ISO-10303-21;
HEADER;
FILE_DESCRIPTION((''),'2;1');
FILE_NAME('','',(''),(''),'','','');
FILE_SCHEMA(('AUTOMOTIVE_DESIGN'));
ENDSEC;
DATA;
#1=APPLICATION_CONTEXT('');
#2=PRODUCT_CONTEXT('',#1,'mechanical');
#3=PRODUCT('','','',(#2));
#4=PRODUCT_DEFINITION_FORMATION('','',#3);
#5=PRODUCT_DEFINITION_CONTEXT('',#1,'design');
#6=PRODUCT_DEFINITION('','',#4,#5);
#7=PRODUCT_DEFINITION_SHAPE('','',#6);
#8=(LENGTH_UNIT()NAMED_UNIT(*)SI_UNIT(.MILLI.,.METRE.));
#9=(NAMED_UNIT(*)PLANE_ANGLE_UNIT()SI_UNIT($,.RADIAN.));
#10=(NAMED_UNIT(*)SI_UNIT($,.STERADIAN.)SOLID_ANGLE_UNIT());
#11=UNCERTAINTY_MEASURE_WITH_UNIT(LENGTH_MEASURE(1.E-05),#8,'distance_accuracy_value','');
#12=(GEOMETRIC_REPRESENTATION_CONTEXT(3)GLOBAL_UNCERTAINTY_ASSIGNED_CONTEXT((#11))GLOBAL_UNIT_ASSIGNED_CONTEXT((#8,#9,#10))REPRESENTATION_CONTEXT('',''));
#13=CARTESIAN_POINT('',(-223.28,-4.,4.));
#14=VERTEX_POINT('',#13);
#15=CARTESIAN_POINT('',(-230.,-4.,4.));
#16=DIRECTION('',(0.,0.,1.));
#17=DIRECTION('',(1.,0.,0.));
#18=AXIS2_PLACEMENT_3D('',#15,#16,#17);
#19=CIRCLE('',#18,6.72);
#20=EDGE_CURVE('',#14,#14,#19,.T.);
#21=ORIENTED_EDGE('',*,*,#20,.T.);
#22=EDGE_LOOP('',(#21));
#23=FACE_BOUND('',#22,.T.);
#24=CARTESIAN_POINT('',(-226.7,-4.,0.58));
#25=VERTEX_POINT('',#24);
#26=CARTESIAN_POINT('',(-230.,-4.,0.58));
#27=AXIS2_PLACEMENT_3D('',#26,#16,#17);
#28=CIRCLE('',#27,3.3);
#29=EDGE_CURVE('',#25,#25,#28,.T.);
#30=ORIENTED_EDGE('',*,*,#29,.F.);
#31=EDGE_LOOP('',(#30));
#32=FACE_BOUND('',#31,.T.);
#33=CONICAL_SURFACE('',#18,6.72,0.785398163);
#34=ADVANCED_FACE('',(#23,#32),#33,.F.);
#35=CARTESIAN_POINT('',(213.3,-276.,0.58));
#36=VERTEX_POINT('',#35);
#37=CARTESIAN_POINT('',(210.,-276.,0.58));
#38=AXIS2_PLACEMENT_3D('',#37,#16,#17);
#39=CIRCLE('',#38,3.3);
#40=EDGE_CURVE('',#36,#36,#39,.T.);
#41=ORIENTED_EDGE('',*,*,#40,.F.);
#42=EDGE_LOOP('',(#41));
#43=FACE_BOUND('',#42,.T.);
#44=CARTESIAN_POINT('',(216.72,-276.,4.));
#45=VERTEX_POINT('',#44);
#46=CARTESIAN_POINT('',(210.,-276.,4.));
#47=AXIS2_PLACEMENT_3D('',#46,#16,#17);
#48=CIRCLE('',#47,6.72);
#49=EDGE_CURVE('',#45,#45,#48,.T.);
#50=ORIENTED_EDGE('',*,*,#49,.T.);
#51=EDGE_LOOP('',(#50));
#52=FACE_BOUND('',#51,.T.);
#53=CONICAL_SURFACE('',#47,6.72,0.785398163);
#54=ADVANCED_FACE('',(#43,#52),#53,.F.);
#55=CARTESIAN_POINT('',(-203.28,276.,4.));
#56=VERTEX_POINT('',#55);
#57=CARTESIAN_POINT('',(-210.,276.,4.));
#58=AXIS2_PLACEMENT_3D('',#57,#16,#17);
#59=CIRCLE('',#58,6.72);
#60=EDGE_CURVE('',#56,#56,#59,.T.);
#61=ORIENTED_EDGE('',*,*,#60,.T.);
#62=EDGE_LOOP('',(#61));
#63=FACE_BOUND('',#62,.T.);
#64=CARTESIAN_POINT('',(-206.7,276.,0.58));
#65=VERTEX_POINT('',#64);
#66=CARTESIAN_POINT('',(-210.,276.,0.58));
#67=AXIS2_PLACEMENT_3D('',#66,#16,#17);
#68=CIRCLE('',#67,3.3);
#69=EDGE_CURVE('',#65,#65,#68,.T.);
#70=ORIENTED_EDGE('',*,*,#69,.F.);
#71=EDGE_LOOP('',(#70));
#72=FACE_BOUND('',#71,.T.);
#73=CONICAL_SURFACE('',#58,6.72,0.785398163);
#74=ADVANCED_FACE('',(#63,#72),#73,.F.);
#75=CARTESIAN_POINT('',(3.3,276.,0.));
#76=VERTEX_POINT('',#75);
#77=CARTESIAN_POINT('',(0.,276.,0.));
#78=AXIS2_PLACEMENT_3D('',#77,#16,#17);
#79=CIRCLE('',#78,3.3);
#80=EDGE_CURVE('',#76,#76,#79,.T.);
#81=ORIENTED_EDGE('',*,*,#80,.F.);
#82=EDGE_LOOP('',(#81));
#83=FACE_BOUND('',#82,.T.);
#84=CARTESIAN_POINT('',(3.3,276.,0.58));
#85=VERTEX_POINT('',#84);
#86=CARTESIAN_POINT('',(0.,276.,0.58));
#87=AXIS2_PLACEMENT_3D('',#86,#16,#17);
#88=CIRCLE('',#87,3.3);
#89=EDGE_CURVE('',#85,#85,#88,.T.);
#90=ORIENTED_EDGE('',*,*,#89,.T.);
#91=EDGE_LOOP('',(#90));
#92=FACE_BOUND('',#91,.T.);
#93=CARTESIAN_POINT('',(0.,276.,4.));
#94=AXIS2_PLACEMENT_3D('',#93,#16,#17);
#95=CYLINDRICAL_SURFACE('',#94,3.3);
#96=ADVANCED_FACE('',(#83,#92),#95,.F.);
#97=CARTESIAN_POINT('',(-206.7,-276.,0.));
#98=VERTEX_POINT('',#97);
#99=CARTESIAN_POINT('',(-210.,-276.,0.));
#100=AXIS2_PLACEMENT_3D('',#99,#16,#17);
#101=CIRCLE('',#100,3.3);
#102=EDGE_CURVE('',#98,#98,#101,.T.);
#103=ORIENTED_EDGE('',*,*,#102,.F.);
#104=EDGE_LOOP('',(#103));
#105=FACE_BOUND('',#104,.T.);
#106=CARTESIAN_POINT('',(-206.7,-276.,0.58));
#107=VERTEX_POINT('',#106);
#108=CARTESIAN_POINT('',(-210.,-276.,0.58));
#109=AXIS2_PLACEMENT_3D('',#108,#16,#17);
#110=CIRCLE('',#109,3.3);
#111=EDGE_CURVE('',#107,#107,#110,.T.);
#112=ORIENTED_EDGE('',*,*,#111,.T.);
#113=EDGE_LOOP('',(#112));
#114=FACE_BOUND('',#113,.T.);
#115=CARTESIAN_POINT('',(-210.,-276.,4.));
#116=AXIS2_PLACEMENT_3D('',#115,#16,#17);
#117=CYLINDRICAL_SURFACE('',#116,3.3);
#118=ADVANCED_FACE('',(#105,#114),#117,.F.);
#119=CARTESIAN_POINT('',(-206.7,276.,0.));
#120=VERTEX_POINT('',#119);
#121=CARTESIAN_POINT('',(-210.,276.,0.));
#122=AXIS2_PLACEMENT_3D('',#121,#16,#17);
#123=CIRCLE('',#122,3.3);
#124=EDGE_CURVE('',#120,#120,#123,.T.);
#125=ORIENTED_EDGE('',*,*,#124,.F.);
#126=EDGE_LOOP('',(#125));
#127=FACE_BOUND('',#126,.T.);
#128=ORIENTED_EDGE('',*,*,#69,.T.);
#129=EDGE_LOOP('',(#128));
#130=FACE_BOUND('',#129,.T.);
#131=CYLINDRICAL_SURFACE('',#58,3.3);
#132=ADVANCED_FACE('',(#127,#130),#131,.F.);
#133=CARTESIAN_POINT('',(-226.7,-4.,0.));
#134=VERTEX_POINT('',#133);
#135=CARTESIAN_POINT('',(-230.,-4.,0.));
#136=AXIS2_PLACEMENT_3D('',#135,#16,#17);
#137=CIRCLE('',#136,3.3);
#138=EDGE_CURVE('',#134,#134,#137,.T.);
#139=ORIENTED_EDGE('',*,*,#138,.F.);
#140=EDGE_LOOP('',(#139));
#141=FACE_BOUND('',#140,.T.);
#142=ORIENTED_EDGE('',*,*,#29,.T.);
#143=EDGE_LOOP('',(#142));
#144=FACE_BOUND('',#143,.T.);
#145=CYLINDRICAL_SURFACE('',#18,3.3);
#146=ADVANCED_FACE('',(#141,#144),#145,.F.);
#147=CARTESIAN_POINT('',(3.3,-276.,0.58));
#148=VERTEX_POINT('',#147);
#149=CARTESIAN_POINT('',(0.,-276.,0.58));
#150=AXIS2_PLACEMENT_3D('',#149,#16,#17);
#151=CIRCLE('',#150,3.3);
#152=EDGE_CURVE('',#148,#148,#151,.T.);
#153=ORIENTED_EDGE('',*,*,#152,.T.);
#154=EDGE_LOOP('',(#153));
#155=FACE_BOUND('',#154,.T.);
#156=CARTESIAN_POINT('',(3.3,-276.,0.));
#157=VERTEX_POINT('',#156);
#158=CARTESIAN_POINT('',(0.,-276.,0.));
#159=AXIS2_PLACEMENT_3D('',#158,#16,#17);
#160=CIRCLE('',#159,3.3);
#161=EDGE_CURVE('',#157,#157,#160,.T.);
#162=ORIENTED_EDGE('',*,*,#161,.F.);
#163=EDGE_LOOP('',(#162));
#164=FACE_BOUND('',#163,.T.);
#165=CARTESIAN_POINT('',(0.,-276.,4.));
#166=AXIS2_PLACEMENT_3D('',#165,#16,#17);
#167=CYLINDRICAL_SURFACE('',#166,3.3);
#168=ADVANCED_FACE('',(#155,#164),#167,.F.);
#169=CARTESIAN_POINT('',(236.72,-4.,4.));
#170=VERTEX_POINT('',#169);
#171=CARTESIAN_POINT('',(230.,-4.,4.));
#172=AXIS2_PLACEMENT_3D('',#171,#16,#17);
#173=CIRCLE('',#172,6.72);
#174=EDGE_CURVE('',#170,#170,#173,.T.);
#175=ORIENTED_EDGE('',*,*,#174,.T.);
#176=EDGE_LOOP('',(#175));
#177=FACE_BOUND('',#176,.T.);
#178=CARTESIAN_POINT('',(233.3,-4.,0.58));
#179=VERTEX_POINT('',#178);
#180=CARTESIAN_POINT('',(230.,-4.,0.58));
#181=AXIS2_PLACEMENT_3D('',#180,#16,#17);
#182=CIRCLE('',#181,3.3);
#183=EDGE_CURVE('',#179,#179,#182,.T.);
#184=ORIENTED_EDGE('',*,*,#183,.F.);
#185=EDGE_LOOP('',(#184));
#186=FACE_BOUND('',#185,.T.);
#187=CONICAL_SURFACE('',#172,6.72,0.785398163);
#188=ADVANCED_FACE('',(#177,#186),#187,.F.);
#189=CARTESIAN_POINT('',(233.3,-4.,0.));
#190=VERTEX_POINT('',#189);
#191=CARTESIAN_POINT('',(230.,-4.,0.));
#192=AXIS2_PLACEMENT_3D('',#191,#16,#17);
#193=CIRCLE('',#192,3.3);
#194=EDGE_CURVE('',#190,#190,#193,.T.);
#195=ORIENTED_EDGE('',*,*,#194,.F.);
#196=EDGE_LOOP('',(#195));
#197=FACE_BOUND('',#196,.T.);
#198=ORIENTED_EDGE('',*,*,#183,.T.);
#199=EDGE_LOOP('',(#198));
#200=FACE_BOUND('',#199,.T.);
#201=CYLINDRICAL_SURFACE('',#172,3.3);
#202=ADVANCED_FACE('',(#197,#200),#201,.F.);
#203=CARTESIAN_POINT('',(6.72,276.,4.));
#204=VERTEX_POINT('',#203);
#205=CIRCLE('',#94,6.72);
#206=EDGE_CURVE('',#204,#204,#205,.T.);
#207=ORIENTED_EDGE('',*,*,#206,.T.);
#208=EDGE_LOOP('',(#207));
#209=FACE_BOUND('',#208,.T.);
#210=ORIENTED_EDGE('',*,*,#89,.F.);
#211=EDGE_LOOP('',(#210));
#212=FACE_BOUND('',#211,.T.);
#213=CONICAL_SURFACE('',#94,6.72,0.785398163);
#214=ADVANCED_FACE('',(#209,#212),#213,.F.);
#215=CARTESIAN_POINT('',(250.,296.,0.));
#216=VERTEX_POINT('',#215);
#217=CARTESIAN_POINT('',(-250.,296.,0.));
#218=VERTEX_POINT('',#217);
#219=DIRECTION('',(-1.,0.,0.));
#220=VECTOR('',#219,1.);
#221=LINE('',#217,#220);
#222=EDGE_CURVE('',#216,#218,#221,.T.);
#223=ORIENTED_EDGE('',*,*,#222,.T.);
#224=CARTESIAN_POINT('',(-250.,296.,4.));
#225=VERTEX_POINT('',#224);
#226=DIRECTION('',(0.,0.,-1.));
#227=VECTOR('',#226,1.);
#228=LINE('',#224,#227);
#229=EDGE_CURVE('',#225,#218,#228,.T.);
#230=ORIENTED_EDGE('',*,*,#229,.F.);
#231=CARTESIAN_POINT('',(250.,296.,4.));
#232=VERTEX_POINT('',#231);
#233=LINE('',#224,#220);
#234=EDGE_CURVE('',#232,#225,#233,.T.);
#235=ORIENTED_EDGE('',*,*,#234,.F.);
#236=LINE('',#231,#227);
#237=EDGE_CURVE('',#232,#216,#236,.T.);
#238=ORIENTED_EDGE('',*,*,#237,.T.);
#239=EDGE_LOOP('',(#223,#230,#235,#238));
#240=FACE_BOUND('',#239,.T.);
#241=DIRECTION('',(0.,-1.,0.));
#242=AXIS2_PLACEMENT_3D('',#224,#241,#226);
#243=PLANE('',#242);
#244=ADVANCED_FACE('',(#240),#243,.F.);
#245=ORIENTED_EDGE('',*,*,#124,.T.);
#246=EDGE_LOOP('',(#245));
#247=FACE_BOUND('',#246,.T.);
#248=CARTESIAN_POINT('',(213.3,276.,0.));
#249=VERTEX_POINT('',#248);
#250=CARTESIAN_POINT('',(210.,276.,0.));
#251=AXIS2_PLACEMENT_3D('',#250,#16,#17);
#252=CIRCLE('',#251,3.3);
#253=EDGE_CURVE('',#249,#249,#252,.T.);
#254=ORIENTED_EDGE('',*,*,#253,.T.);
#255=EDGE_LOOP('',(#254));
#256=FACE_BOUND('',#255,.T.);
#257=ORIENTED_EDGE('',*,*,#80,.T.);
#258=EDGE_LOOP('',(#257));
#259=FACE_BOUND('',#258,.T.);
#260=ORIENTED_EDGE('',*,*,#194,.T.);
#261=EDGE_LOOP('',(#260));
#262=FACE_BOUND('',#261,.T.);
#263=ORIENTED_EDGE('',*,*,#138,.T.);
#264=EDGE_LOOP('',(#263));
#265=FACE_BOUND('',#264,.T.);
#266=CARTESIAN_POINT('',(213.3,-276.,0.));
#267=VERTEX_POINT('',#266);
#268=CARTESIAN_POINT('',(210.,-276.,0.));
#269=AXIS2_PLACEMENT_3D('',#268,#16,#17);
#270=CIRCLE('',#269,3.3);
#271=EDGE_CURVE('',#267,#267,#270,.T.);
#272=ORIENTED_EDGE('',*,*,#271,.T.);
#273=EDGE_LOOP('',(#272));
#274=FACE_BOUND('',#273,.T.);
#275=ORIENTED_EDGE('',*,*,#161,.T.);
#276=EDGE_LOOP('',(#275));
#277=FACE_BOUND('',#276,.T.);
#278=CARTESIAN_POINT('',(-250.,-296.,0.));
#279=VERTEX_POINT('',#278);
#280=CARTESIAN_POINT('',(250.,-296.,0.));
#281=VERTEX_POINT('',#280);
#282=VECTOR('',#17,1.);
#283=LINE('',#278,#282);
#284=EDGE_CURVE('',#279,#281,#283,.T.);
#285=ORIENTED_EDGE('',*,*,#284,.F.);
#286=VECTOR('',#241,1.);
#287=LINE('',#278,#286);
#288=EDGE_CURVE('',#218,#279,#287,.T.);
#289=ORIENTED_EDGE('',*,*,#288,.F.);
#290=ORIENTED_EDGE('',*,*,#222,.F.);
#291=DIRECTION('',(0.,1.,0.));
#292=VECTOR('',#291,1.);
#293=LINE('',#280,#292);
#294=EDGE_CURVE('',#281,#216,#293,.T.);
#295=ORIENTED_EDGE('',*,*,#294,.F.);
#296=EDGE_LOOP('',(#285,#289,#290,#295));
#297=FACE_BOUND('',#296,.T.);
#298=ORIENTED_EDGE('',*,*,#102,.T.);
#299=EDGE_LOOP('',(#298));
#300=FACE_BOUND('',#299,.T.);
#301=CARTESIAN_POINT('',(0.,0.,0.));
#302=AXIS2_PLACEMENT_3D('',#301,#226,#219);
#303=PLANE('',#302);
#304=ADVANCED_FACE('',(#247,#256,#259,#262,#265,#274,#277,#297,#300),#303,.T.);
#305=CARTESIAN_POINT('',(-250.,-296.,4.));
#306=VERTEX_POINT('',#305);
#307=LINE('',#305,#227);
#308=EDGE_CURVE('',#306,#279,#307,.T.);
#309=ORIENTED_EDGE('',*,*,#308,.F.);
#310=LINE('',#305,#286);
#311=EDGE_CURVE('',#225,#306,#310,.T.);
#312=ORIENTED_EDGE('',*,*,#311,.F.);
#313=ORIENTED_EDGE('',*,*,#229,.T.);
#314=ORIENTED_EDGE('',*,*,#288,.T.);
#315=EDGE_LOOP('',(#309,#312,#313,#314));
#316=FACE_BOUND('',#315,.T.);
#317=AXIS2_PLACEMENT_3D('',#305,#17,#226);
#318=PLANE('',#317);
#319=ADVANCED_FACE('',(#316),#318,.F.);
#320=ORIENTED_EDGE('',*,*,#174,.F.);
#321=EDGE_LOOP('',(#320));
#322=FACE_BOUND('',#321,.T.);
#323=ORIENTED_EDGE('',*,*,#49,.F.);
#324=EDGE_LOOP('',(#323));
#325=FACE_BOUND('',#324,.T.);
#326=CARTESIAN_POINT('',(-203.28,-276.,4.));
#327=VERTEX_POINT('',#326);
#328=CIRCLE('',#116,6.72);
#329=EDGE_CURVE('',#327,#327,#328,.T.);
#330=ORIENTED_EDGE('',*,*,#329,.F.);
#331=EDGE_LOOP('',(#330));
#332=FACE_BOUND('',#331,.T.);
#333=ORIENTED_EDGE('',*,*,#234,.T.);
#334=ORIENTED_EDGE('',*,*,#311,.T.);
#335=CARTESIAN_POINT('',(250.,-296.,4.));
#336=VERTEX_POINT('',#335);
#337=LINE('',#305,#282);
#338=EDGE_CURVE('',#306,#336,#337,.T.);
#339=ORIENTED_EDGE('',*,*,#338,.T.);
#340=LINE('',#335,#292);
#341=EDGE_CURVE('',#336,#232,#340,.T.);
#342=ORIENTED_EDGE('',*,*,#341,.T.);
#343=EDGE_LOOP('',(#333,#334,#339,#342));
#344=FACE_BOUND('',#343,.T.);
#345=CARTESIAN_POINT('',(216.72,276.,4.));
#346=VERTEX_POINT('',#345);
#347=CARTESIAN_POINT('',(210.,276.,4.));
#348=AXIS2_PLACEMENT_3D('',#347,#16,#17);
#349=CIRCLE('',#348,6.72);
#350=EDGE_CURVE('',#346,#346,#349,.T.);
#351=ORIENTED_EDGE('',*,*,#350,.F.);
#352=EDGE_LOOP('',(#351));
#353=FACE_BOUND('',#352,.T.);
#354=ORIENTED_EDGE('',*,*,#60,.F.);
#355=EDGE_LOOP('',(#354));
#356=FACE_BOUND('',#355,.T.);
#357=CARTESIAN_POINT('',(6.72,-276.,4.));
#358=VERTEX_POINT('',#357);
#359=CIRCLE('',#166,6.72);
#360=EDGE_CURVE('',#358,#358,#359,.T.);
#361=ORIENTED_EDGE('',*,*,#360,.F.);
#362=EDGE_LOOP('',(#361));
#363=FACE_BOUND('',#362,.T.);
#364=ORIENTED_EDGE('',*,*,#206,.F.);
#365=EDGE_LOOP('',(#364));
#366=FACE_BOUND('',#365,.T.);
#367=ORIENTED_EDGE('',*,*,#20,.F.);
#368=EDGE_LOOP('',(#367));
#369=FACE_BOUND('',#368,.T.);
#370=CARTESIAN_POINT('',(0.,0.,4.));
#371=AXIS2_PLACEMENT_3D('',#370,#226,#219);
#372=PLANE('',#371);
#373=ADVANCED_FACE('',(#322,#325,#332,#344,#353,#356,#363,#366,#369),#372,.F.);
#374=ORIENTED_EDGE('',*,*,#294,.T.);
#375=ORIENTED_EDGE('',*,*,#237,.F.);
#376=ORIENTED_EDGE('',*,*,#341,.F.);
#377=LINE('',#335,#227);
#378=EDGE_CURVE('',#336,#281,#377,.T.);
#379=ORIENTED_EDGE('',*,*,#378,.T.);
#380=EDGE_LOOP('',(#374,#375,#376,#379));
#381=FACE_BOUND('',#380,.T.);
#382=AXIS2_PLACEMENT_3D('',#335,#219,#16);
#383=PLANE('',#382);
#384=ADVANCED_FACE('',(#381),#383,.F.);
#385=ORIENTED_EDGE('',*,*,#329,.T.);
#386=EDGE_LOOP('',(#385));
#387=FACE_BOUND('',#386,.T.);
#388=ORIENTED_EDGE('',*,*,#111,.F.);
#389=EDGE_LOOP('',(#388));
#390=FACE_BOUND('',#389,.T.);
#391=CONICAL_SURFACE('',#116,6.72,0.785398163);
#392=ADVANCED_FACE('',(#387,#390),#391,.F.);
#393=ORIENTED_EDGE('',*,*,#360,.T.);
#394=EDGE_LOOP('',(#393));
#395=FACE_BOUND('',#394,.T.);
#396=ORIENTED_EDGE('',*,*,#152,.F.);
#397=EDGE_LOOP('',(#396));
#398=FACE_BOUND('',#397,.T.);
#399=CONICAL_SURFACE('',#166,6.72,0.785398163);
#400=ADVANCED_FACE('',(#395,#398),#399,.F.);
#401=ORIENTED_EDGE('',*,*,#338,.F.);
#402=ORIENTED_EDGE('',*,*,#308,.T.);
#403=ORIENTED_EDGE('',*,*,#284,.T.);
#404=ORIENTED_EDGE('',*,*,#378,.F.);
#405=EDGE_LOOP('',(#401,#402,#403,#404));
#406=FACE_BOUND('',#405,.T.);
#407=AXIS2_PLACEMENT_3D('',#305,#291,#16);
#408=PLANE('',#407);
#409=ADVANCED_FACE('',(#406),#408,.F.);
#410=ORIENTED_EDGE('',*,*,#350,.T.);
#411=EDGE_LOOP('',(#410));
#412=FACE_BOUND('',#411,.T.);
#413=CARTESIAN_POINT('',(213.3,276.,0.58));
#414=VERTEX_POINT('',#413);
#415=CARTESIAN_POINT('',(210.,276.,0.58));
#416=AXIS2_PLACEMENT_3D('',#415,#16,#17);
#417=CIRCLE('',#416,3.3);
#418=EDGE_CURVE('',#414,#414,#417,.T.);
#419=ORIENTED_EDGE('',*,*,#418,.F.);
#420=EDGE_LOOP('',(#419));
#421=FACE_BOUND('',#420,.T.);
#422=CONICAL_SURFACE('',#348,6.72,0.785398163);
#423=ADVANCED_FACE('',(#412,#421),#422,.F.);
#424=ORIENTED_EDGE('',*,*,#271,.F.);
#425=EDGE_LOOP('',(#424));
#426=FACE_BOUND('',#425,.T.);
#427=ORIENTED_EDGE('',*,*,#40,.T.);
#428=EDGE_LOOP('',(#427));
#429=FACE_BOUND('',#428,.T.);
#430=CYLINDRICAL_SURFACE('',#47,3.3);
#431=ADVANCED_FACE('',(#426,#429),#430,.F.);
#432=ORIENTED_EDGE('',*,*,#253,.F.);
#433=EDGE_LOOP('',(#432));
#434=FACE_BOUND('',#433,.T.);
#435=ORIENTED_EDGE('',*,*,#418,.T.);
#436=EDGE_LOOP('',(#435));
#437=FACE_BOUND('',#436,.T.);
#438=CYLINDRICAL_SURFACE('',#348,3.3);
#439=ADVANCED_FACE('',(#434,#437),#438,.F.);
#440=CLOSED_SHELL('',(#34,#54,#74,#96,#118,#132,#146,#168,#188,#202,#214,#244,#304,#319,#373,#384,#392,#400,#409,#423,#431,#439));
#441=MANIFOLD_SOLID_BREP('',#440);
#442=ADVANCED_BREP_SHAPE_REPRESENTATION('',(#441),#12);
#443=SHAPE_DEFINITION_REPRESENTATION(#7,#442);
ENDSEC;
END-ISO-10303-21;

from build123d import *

# Parameters (mm, degrees)
SKETCH1_W                                    = 500
SKETCH1_H                                    = 592
BOSS_EXTRUDE1_DEPTH                          = 4
CSK_FOR_M6_HEX_SOCKET_COUNTERSUNK_CA_2_COUNT = 2
CSK_FOR_M6_HEX_SOCKET_COUNTERSUNK_CA_2_PITCH = 460
CSK_FOR_M6_HEX_SOCKET_COUNTERSUNK_CA_3_COUNT = 2
CSK_FOR_M6_HEX_SOCKET_COUNTERSUNK_CA_3_PITCH = 272.73430294
CSK_FOR_M6_HEX_SOCKET_COUNTERSUNK_CA_4_COUNT = 2
CSK_FOR_M6_HEX_SOCKET_COUNTERSUNK_CA_4_PITCH = 356.207804519
CSK_FOR_M6_HEX_SOCKET_COUNTERSUNK_CA_5_COUNT = 2
CSK_FOR_M6_HEX_SOCKET_COUNTERSUNK_CA_5_PITCH = 517.28522113
CSK_FOR_M6_HEX_SOCKET_COUNTERSUNK_CA_6_COUNT = 2
CSK_FOR_M6_HEX_SOCKET_COUNTERSUNK_CA_6_PITCH = 521.536192416
CSK_FOR_M6_HEX_SOCKET_COUNTERSUNK_CA_7_COUNT = 2
CSK_FOR_M6_HEX_SOCKET_COUNTERSUNK_CA_7_PITCH = 362.35341864
CSK_FOR_M6_HEX_SOCKET_COUNTERSUNK_CA_8_COUNT = 2
CSK_FOR_M6_HEX_SOCKET_COUNTERSUNK_CA_8_PITCH = 280.713376952


with BuildPart() as part:
    # Sketch1 → Boss-Extrude1 (new body)
    with BuildSketch(Plane.XY):
        Rectangle(SKETCH1_W, SKETCH1_H)
    extrude(amount=BOSS_EXTRUDE1_DEPTH)

    # Sketch4 → CSK for M6 Hex Socket Countersunk Cap Screw1 (revolve, cut)
    with BuildSketch(Plane(origin=(-230, -4, 4), x_dir=(0, -1, 0), z_dir=(1, 0, 0))):
        Polygon((0, 0), (0, 4), (3.3, 4), (3.3, 3.42), (6.72, 0), align=None)
    csk_for_m6_hex_socket_countersunk_cap_sc = revolve(axis=Axis((-230, -4, 10.35), (0, 0, -1)), mode=Mode.SUBTRACT)

    # CSK for M6 Hex Socket Countersunk Ca 2: CSK for M6 Hex Socket Countersunk Cap Screw1 ×2
    with Locations(*[(i * CSK_FOR_M6_HEX_SOCKET_COUNTERSUNK_CA_2_PITCH, 0, 0) for i in range(1, CSK_FOR_M6_HEX_SOCKET_COUNTERSUNK_CA_2_COUNT)]):
        add(csk_for_m6_hex_socket_countersunk_cap_sc, mode=Mode.SUBTRACT)

    # CSK for M6 Hex Socket Countersunk Ca 3: CSK for M6 Hex Socket Countersunk Cap Screw1 ×2
    with Locations(*[Vector(0.07333144303605385, -0.9973076252903365, 0) * (i * CSK_FOR_M6_HEX_SOCKET_COUNTERSUNK_CA_3_PITCH) for i in range(1, CSK_FOR_M6_HEX_SOCKET_COUNTERSUNK_CA_3_COUNT)]):
        add(csk_for_m6_hex_socket_countersunk_cap_sc, mode=Mode.SUBTRACT)

    # CSK for M6 Hex Socket Countersunk Ca 4: CSK for M6 Hex Socket Countersunk Cap Screw1 ×2
    with Locations(*[Vector(0.6456905129038378, -0.7635992152601906, 0) * (i * CSK_FOR_M6_HEX_SOCKET_COUNTERSUNK_CA_4_PITCH) for i in range(1, CSK_FOR_M6_HEX_SOCKET_COUNTERSUNK_CA_4_COUNT)]):
        add(csk_for_m6_hex_socket_countersunk_cap_sc, mode=Mode.SUBTRACT)

    # CSK for M6 Hex Socket Countersunk Ca 5: CSK for M6 Hex Socket Countersunk Cap Screw1 ×2
    with Locations(*[Vector(0.8505945695460384, -0.525822097537551, 0) * (i * CSK_FOR_M6_HEX_SOCKET_COUNTERSUNK_CA_5_PITCH) for i in range(1, CSK_FOR_M6_HEX_SOCKET_COUNTERSUNK_CA_5_COUNT)]):
        add(csk_for_m6_hex_socket_countersunk_cap_sc, mode=Mode.SUBTRACT)

    # CSK for M6 Hex Socket Countersunk Ca 6: CSK for M6 Hex Socket Countersunk Cap Screw1 ×2
    with Locations(*[Vector(0.8436614877321075, 0.5368754921931593, 0) * (i * CSK_FOR_M6_HEX_SOCKET_COUNTERSUNK_CA_6_PITCH) for i in range(1, CSK_FOR_M6_HEX_SOCKET_COUNTERSUNK_CA_6_COUNT)]):
        add(csk_for_m6_hex_socket_countersunk_cap_sc, mode=Mode.SUBTRACT)

    # CSK for M6 Hex Socket Countersunk Ca 7: CSK for M6 Hex Socket Countersunk Cap Screw1 ×2
    with Locations(*[Vector(0.6347394233600139, 0.7727262545252344, 0) * (i * CSK_FOR_M6_HEX_SOCKET_COUNTERSUNK_CA_7_PITCH) for i in range(1, CSK_FOR_M6_HEX_SOCKET_COUNTERSUNK_CA_7_COUNT)]):
        add(csk_for_m6_hex_socket_countersunk_cap_sc, mode=Mode.SUBTRACT)

    # CSK for M6 Hex Socket Countersunk Ca 8: CSK for M6 Hex Socket Countersunk Cap Screw1 ×2
    with Locations(*[Vector(0.07124704998790936, 0.9974586998307351, 0) * (i * CSK_FOR_M6_HEX_SOCKET_COUNTERSUNK_CA_8_PITCH) for i in range(1, CSK_FOR_M6_HEX_SOCKET_COUNTERSUNK_CA_8_COUNT)]):
        add(csk_for_m6_hex_socket_countersunk_cap_sc, mode=Mode.SUBTRACT)


solid = part.part
